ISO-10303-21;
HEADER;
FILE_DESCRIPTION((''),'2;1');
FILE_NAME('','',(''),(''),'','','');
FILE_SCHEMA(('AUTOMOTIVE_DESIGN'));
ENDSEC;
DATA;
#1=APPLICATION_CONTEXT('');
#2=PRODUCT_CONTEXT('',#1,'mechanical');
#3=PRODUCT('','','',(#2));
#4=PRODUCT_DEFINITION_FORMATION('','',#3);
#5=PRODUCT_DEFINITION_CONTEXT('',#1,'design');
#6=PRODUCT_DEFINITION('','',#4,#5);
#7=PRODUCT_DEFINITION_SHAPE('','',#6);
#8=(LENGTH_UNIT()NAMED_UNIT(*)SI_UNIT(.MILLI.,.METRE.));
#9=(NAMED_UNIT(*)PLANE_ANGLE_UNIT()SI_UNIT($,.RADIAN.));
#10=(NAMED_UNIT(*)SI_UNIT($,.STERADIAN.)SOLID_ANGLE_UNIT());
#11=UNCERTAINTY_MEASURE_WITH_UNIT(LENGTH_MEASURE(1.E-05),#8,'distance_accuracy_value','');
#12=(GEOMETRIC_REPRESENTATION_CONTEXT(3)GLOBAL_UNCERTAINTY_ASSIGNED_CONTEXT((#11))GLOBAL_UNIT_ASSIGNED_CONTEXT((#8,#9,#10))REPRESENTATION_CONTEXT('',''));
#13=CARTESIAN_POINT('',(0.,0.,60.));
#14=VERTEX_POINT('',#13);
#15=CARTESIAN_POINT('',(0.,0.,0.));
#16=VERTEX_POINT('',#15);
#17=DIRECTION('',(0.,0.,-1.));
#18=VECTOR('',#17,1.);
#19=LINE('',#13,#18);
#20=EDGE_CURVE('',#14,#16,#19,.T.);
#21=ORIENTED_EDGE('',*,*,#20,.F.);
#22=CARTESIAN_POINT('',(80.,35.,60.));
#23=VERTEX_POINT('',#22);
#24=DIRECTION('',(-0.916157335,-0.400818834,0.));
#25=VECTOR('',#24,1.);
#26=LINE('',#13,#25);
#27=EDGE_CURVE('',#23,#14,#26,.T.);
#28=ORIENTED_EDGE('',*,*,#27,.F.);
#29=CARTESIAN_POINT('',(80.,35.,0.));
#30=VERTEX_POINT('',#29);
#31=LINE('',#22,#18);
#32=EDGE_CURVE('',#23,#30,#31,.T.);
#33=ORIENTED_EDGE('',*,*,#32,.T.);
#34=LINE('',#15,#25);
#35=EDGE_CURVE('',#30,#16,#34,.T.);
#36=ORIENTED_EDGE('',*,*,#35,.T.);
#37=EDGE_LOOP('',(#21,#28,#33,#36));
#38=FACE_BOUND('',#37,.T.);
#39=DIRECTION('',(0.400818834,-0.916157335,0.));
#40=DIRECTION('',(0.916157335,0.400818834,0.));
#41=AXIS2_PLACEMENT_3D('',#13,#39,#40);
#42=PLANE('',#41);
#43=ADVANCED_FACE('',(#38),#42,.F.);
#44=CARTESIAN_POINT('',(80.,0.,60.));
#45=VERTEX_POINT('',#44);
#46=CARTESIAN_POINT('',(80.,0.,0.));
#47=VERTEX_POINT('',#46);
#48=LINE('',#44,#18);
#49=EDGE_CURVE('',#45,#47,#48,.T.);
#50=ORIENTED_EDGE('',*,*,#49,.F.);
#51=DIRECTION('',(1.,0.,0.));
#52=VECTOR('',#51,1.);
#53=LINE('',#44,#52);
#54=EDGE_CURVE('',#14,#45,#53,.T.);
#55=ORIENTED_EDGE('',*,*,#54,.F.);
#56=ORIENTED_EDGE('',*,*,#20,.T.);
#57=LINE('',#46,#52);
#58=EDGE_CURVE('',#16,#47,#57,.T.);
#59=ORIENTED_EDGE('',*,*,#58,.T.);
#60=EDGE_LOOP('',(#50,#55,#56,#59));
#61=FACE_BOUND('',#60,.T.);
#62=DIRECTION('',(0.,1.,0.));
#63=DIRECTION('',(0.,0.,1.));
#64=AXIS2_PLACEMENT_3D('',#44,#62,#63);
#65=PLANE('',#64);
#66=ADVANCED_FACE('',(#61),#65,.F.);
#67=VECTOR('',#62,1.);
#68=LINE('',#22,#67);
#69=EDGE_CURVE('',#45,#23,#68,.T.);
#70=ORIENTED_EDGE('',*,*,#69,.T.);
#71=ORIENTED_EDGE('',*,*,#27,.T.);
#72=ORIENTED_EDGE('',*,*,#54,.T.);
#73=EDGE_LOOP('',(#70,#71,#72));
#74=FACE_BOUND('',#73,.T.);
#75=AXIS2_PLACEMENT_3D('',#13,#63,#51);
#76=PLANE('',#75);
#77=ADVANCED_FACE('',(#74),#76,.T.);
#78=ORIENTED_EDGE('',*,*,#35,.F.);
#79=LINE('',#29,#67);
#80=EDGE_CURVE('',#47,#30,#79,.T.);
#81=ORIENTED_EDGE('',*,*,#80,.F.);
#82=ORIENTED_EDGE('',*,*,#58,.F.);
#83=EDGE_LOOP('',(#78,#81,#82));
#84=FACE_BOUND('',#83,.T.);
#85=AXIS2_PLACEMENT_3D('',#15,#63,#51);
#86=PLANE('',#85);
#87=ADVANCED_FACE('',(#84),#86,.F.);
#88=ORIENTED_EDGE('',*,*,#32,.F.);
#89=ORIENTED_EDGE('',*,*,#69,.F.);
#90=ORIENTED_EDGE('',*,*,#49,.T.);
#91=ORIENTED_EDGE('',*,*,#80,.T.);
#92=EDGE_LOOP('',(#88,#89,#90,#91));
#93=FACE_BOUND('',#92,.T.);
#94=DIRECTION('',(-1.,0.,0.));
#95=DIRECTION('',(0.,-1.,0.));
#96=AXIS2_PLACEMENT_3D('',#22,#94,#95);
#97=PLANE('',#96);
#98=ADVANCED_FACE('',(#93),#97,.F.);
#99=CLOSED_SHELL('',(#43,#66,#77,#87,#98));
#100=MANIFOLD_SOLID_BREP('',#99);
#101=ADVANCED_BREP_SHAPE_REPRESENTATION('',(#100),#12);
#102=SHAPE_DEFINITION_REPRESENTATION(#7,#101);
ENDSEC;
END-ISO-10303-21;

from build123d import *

# Parameters (mm, degrees)
BOSS_EXTRUDE1_DEPTH = 60


with BuildPart() as part:
    # Sketch1 → Boss-Extrude1 (new body)
    with BuildSketch(Plane.XY):
        Polygon((0, 0), (80, 35), (80, 0), align=None)
    extrude(amount=BOSS_EXTRUDE1_DEPTH)


solid = part.part
